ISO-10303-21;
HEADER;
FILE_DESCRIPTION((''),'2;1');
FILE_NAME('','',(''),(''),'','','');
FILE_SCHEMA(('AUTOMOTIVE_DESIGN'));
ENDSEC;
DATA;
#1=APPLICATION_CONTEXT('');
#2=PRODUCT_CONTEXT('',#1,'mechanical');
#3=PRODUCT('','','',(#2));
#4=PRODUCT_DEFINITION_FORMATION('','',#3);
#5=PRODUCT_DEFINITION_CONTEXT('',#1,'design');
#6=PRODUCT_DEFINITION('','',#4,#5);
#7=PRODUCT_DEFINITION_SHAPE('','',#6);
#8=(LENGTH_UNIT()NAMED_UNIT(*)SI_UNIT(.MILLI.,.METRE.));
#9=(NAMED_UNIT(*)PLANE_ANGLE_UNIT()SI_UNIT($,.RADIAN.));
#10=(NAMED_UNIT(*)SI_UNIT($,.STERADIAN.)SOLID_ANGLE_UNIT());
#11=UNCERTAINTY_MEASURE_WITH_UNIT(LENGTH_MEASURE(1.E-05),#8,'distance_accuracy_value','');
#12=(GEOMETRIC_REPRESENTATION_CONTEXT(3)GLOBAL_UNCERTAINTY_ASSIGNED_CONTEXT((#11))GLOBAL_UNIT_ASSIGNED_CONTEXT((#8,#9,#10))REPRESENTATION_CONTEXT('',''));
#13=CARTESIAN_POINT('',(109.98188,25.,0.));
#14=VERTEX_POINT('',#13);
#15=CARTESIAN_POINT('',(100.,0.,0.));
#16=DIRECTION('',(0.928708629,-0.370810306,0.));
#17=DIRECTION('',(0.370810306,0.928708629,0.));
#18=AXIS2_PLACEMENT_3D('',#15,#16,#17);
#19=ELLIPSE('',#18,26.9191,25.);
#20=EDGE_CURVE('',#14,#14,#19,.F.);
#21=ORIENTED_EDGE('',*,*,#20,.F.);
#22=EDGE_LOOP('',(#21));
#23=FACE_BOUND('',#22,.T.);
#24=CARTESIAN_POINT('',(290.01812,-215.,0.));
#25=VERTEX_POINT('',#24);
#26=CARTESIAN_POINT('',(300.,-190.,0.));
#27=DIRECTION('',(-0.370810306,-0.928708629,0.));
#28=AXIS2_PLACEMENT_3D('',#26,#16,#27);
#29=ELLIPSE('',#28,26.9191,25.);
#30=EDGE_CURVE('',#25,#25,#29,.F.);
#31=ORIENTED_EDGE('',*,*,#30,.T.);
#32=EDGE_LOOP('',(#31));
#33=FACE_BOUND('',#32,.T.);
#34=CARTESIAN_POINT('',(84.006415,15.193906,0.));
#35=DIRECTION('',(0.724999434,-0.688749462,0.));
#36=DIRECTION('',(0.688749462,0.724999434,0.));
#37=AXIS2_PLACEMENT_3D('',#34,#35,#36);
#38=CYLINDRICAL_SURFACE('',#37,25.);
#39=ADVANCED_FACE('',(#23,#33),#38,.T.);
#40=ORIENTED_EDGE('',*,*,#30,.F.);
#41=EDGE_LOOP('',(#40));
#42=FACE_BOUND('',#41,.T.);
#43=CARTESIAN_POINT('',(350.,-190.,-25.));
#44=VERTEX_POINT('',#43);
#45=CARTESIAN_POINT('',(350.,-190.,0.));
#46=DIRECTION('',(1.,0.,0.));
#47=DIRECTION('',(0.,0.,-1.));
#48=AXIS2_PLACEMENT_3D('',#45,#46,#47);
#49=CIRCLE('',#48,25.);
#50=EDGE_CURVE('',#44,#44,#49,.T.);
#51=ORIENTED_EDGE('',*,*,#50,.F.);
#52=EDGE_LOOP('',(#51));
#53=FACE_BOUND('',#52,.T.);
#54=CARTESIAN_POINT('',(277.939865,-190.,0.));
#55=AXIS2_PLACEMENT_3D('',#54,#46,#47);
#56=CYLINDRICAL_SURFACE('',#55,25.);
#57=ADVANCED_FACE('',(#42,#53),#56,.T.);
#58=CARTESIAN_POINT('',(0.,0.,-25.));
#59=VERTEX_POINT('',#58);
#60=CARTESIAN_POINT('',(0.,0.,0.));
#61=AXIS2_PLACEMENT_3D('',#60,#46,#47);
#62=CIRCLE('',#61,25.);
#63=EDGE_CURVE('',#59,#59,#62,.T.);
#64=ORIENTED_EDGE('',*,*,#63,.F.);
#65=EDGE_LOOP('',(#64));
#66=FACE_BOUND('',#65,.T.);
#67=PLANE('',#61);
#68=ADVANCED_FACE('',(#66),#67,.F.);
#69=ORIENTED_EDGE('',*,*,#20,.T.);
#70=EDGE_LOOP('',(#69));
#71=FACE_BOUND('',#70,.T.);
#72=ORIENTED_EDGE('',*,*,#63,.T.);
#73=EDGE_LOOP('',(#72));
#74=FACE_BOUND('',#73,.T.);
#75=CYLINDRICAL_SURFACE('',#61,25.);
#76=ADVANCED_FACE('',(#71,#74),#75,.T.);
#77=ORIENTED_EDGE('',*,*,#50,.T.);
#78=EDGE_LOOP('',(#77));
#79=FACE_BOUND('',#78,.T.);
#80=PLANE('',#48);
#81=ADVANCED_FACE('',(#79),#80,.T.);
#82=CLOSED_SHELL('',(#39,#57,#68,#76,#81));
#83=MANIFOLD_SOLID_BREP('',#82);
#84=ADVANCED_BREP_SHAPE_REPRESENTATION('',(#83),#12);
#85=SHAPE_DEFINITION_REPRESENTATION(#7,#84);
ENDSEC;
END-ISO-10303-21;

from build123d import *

# Parameters (mm, degrees)
SKETCH1_R = 25


with BuildPart() as part:
    # Sweep1: sweep along a path in Sketch2
    with BuildLine(Plane.XY) as sweep1_path:
        Line((0, 0), (100, 0))
        Line((100, 0), (300, -190))
        Line((300, -190), (350, -190))
    # Sketch1 → Sweep1 (sweep)
    with BuildSketch(Plane(origin=(0, 0, 0), x_dir=(0, 0, -1), z_dir=(1, 0, 0))):
        Circle(SKETCH1_R)
    sweep(path=sweep1_path.line, transition=Transition.RIGHT)


solid = part.part
